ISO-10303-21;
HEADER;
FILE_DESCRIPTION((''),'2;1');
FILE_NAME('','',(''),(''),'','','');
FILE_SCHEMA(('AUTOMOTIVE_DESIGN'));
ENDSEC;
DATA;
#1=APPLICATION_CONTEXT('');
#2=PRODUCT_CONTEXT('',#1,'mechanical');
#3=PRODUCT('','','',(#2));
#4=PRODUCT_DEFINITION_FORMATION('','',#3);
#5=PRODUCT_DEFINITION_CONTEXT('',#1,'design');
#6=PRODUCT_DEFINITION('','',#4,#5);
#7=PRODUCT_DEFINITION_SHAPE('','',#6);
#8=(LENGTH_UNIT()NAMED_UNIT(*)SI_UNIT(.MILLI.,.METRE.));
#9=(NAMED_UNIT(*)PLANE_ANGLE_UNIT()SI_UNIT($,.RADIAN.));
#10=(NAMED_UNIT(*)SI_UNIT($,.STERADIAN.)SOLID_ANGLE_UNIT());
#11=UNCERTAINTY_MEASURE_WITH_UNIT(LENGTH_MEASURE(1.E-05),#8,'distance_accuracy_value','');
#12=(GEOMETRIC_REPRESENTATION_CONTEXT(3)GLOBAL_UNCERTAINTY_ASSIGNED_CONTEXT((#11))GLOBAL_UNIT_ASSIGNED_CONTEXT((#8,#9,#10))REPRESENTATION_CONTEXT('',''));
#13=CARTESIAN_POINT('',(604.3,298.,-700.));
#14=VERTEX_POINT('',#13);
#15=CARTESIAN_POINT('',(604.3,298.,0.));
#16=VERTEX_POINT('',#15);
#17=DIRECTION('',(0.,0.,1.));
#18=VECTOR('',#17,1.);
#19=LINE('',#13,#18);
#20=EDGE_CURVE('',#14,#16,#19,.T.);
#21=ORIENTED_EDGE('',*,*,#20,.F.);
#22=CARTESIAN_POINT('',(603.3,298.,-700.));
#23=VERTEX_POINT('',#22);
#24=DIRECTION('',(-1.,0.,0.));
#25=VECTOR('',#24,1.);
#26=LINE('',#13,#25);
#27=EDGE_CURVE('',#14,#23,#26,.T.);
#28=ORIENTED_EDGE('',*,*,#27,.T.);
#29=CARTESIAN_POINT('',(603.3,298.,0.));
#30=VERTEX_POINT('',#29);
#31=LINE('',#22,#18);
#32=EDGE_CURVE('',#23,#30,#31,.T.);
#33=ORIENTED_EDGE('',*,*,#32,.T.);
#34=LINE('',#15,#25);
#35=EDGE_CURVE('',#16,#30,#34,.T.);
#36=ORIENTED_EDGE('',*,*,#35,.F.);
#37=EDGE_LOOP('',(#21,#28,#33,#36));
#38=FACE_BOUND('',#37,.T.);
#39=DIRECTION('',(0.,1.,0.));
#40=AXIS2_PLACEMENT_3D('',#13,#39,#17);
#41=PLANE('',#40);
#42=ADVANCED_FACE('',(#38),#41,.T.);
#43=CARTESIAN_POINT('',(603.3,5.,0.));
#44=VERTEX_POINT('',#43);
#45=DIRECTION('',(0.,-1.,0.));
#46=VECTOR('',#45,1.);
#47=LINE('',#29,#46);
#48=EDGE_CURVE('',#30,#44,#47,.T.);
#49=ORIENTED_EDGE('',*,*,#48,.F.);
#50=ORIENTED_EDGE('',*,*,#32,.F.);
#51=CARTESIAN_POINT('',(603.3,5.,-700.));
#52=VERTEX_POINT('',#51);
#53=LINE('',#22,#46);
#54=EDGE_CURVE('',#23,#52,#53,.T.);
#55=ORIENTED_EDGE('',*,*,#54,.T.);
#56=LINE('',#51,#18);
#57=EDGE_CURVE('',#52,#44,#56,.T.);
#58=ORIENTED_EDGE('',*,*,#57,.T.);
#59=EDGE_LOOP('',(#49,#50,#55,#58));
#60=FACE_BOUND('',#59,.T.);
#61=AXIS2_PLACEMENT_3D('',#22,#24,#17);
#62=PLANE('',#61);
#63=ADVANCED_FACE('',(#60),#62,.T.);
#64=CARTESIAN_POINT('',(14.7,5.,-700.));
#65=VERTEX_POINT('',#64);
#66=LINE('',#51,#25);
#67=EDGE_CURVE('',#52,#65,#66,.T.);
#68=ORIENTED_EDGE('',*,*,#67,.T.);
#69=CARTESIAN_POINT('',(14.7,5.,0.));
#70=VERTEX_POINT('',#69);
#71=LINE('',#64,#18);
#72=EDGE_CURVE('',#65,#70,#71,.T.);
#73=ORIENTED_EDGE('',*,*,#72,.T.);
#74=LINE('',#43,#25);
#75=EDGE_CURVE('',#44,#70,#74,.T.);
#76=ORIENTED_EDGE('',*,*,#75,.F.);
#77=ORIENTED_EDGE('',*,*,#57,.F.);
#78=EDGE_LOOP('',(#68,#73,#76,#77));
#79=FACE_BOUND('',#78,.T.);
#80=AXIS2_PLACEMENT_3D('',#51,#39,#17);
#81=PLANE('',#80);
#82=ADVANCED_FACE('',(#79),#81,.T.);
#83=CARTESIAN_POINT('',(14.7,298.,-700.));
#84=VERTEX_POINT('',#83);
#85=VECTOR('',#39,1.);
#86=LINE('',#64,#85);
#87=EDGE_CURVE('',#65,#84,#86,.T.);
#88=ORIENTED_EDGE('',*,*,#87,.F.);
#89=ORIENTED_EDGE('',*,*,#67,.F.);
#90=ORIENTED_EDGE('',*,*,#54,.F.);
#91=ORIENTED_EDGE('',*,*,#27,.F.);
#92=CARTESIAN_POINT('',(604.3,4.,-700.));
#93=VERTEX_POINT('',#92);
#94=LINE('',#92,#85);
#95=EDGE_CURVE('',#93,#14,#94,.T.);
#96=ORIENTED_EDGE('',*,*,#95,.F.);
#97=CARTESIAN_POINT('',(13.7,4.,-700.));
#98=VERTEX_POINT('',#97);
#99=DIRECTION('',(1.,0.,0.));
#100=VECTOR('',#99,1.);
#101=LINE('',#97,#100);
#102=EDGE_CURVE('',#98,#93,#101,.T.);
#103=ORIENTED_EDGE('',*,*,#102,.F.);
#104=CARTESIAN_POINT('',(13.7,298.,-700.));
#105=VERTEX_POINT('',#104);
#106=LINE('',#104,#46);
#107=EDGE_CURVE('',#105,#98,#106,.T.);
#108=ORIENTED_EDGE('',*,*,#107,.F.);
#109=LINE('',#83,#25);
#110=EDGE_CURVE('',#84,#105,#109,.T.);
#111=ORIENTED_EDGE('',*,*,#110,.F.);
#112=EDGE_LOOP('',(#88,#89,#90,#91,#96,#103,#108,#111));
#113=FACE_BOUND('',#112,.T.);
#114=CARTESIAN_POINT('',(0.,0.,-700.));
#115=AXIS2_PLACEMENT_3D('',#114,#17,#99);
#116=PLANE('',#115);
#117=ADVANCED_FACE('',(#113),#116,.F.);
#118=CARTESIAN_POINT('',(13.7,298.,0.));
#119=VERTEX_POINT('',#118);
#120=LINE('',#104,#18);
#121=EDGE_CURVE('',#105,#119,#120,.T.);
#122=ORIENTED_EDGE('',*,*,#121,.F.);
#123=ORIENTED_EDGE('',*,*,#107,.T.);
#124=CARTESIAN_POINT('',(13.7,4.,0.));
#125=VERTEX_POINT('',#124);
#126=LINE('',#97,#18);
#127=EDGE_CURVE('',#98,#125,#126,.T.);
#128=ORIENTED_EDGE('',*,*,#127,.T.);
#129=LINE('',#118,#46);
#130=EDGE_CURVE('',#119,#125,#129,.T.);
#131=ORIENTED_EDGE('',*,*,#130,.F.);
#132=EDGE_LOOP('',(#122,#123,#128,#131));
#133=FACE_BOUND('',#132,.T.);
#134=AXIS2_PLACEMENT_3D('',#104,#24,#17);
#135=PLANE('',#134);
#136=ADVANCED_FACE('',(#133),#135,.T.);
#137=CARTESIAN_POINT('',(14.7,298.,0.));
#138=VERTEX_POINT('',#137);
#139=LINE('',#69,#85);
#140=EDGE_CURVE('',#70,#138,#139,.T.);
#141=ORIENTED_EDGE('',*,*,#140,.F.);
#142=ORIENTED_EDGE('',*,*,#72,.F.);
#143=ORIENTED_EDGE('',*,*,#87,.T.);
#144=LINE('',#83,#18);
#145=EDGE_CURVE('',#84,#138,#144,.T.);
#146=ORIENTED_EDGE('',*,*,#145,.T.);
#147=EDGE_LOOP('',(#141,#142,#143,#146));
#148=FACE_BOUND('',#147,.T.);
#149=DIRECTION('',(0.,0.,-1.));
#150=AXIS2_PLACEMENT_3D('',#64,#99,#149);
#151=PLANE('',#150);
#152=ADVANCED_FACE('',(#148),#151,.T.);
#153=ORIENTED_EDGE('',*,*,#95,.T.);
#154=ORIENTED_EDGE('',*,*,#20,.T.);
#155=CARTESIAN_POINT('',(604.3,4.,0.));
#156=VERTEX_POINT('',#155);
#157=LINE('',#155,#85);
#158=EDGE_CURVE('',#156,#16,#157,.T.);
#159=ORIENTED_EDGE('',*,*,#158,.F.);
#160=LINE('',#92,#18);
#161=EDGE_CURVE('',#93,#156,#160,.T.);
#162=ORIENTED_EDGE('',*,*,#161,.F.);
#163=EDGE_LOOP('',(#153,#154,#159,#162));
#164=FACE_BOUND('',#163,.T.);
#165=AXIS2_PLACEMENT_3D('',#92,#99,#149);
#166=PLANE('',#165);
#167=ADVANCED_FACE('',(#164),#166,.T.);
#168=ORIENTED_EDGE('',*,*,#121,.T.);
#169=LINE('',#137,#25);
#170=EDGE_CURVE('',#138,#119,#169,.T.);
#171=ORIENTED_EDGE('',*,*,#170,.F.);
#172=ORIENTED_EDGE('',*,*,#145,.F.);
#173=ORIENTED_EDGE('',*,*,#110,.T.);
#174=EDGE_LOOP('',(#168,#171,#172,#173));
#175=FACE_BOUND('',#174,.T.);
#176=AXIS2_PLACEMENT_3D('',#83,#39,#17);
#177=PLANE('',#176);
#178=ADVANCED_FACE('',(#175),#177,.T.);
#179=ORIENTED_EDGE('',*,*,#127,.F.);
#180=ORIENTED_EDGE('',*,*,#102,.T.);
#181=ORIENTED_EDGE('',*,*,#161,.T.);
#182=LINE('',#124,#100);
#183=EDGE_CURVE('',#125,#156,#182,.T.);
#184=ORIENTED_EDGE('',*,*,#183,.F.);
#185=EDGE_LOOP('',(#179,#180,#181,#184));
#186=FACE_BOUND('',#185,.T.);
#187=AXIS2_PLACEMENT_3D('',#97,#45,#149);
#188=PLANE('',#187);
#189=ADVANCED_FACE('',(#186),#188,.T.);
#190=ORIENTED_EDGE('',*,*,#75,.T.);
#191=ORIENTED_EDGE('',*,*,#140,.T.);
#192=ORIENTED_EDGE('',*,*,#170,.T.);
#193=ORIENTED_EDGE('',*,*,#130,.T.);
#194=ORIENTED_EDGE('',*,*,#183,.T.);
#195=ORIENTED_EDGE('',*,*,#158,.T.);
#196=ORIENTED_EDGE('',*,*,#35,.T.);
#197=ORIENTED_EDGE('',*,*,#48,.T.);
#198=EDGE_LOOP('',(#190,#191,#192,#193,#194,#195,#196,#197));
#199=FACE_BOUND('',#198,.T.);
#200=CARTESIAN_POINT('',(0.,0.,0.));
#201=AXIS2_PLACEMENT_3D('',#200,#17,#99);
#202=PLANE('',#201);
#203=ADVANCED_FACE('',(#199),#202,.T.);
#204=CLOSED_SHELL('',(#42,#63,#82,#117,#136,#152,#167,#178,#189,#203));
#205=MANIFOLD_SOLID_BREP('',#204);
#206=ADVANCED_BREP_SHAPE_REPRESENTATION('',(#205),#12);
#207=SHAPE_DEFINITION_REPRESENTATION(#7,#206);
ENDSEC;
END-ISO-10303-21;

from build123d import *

# Parameters (mm, degrees)
CEK_1L_KUTU_U_1_0_1_DEPTH = 700


with BuildPart() as part:
    # Sketch1 → CEK_1L_kutu_U_1.0_1 (new body)
    with BuildSketch(Plane.XY):
        Polygon((13.7, 298), (13.7, 4), (604.3, 4), (604.3, 298), (603.3, 298), (603.3, 5), (14.7, 5), (14.7, 298), align=None)
    extrude(amount=-CEK_1L_KUTU_U_1_0_1_DEPTH)


solid = part.part
